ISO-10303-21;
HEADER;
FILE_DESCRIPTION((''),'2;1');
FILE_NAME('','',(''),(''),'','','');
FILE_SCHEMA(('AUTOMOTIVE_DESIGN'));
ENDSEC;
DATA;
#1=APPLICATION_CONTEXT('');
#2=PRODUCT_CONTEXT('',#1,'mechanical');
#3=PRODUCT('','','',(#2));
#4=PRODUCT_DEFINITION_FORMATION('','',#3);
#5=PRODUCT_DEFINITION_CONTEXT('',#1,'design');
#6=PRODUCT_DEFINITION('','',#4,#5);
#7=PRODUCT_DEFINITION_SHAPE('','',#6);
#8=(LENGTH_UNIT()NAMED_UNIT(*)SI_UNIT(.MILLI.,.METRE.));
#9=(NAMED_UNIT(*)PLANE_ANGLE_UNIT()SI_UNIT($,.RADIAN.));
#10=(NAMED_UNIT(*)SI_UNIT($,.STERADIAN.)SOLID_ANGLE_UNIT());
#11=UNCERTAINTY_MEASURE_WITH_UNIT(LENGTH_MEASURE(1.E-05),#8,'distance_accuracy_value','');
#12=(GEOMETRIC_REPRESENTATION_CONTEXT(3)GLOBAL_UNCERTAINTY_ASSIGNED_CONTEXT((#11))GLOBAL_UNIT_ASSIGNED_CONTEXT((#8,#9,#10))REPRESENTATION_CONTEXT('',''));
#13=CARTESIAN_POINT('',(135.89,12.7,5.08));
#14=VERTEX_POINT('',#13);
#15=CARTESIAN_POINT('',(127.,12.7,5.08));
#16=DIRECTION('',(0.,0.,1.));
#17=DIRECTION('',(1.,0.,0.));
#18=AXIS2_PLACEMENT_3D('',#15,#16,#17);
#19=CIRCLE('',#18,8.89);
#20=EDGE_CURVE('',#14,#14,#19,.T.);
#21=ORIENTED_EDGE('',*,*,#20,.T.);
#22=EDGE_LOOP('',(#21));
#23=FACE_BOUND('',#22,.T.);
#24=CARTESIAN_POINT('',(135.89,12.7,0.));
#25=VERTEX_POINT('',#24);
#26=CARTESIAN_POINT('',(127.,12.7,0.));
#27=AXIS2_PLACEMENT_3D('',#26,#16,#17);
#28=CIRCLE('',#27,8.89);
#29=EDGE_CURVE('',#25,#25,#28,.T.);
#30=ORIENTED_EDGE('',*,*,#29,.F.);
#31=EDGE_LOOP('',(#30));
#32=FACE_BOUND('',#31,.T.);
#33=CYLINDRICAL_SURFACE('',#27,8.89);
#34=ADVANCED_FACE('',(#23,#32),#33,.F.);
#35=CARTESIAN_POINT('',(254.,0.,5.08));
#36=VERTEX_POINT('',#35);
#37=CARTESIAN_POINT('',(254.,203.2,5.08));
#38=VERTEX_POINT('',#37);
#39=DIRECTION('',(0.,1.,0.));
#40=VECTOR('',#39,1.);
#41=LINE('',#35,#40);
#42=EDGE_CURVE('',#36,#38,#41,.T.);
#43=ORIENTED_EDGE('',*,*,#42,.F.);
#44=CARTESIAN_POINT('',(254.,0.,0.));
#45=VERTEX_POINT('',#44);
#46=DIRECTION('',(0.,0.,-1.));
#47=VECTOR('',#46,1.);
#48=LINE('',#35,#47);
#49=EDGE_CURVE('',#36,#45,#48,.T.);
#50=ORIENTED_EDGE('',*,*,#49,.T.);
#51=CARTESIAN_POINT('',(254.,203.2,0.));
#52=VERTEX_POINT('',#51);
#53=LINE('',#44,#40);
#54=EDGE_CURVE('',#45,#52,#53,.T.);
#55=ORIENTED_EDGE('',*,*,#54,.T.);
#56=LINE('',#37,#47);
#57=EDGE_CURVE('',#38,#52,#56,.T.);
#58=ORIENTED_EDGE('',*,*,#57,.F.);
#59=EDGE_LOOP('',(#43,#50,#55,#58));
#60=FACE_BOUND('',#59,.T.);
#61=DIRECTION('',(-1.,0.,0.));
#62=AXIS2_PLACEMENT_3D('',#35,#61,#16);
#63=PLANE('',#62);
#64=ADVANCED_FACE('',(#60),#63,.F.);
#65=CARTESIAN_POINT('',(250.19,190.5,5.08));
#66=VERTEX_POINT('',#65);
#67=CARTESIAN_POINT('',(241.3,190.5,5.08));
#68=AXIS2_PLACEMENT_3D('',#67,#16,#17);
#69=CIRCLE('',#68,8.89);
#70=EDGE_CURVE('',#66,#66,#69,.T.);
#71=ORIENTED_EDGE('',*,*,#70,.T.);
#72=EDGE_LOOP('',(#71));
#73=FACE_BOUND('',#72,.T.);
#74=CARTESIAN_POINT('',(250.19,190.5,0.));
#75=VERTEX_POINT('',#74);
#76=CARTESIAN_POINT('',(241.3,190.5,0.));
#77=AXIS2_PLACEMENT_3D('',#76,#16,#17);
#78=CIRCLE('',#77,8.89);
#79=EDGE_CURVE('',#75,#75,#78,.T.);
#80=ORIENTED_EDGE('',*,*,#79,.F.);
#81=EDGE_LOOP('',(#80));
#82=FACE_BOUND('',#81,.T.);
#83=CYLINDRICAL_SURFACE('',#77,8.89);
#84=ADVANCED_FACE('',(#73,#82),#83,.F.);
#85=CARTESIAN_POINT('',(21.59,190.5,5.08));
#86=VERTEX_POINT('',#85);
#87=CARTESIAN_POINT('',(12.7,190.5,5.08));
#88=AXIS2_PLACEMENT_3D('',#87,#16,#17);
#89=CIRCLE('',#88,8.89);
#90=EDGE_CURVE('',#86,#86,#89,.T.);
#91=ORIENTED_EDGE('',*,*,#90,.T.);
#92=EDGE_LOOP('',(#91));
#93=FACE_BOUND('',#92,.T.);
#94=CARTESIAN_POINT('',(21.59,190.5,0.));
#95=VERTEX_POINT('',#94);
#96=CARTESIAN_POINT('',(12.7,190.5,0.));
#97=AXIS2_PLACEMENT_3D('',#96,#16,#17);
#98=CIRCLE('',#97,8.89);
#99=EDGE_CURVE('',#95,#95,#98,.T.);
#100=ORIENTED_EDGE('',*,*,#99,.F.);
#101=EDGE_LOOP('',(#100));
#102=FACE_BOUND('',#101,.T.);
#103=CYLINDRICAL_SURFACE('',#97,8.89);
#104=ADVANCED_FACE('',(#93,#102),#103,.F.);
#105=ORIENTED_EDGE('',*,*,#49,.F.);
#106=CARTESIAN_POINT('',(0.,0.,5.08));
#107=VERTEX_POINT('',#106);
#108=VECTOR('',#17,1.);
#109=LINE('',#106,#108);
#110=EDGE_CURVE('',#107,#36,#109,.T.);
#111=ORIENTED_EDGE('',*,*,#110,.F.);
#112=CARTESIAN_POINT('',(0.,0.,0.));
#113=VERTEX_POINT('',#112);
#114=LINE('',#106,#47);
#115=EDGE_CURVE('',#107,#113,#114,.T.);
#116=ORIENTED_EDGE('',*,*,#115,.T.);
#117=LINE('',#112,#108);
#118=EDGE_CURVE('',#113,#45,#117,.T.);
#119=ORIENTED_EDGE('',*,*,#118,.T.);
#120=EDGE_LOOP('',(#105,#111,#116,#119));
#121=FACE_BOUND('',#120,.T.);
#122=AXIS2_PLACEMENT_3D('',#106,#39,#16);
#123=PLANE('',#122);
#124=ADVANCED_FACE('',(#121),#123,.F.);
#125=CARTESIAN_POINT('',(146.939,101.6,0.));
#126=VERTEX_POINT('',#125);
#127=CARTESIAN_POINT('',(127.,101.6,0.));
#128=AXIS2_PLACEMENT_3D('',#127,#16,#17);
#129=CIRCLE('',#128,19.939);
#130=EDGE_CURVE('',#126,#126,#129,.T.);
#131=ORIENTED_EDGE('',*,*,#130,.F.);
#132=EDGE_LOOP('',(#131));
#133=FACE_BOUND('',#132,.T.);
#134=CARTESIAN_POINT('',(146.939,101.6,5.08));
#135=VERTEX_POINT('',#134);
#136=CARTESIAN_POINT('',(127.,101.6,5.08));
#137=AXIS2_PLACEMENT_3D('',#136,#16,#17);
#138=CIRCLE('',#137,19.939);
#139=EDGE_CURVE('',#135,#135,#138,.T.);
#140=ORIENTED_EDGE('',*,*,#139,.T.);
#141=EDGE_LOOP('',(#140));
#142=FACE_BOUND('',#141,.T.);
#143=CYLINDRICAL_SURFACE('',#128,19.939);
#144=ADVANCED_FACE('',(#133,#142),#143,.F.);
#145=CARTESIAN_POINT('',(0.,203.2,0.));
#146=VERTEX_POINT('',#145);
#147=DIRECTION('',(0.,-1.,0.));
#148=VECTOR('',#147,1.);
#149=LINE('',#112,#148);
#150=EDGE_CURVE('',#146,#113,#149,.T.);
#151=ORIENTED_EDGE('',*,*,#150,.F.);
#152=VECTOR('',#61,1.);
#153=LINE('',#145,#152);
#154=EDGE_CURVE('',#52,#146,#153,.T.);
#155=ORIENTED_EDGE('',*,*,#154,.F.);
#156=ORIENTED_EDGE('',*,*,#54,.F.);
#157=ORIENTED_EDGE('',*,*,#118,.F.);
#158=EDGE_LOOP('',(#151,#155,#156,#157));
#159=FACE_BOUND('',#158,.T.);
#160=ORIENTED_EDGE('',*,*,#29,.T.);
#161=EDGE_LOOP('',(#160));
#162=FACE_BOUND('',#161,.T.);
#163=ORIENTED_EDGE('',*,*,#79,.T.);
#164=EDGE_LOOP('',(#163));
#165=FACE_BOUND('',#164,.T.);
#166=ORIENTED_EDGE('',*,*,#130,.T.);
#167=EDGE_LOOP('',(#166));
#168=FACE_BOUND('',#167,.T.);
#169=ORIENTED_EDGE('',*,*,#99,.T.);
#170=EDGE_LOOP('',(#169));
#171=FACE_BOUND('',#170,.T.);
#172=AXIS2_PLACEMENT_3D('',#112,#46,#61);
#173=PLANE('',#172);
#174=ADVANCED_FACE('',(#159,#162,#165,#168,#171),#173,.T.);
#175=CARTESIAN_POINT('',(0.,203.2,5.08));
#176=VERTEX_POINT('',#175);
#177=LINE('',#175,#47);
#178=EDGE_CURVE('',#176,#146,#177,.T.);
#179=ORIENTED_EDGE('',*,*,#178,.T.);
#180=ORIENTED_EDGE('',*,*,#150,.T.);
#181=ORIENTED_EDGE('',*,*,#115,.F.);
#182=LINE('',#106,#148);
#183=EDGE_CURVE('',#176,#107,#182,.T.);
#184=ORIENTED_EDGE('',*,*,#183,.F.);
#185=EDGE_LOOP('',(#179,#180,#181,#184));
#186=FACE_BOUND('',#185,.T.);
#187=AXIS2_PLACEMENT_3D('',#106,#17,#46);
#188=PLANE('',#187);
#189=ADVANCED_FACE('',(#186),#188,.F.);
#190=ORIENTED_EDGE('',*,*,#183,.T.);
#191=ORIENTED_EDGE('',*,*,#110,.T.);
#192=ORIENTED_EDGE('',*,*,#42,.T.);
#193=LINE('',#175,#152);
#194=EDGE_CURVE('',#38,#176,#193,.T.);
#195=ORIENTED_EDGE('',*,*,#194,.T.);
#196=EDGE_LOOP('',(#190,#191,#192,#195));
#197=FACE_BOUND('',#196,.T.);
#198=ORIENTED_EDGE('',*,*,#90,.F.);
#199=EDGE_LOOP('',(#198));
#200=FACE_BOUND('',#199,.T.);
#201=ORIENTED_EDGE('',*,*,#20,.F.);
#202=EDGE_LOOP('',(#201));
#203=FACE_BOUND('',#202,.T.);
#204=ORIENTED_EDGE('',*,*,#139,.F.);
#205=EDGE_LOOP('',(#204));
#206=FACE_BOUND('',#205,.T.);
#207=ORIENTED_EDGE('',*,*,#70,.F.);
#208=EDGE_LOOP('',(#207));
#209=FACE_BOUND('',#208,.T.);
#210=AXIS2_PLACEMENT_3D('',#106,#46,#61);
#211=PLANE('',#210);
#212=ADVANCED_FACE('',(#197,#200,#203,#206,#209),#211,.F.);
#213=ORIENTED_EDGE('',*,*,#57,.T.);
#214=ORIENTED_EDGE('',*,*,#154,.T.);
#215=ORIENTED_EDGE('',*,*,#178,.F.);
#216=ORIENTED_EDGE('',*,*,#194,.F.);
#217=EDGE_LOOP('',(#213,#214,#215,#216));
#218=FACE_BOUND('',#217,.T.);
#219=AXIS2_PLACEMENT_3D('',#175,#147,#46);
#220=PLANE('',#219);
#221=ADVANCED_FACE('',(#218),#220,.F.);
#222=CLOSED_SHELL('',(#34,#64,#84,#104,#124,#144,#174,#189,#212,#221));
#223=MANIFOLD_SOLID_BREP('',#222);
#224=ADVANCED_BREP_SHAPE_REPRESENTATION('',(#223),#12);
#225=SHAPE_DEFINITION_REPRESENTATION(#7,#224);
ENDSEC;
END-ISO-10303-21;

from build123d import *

# Parameters (mm, degrees)
SKETCH2_W           = 254
SKETCH2_H           = 203.2
BOSS_EXTRUDE1_DEPTH = 5.08
SKETCH4_R           = 19.939
CUT_EXTRUDE2_DEPTH  = 326.318376979
SKETCH3_R           = 8.89
CUT_EXTRUDE3_DEPTH  = 326.318376979


with BuildPart() as part:
    # Sketch2 → Boss-Extrude1 (new body)
    with BuildSketch(Plane.XY):
        with Locations((127, 101.6)):
            Rectangle(SKETCH2_W, SKETCH2_H)
    extrude(amount=BOSS_EXTRUDE1_DEPTH)

    # Sketch4 → Cut-Extrude2 (cut, through all)
    with BuildSketch(Plane.XY.offset(5.08)):
        with Locations((127, 101.6)):
            Circle(SKETCH4_R)
    extrude(amount=-CUT_EXTRUDE2_DEPTH, mode=Mode.SUBTRACT)

    # Sketch3 → Cut-Extrude3 (cut, through all)
    with BuildSketch(Plane.XY.offset(5.08)):
        with Locations((12.7, 190.5)):
            Circle(SKETCH3_R)
        with Locations((241.3, 190.5)):
            Circle(SKETCH3_R)
        with Locations((127, 12.7)):
            Circle(SKETCH3_R)
    extrude(amount=-CUT_EXTRUDE3_DEPTH, mode=Mode.SUBTRACT)


solid = part.part
